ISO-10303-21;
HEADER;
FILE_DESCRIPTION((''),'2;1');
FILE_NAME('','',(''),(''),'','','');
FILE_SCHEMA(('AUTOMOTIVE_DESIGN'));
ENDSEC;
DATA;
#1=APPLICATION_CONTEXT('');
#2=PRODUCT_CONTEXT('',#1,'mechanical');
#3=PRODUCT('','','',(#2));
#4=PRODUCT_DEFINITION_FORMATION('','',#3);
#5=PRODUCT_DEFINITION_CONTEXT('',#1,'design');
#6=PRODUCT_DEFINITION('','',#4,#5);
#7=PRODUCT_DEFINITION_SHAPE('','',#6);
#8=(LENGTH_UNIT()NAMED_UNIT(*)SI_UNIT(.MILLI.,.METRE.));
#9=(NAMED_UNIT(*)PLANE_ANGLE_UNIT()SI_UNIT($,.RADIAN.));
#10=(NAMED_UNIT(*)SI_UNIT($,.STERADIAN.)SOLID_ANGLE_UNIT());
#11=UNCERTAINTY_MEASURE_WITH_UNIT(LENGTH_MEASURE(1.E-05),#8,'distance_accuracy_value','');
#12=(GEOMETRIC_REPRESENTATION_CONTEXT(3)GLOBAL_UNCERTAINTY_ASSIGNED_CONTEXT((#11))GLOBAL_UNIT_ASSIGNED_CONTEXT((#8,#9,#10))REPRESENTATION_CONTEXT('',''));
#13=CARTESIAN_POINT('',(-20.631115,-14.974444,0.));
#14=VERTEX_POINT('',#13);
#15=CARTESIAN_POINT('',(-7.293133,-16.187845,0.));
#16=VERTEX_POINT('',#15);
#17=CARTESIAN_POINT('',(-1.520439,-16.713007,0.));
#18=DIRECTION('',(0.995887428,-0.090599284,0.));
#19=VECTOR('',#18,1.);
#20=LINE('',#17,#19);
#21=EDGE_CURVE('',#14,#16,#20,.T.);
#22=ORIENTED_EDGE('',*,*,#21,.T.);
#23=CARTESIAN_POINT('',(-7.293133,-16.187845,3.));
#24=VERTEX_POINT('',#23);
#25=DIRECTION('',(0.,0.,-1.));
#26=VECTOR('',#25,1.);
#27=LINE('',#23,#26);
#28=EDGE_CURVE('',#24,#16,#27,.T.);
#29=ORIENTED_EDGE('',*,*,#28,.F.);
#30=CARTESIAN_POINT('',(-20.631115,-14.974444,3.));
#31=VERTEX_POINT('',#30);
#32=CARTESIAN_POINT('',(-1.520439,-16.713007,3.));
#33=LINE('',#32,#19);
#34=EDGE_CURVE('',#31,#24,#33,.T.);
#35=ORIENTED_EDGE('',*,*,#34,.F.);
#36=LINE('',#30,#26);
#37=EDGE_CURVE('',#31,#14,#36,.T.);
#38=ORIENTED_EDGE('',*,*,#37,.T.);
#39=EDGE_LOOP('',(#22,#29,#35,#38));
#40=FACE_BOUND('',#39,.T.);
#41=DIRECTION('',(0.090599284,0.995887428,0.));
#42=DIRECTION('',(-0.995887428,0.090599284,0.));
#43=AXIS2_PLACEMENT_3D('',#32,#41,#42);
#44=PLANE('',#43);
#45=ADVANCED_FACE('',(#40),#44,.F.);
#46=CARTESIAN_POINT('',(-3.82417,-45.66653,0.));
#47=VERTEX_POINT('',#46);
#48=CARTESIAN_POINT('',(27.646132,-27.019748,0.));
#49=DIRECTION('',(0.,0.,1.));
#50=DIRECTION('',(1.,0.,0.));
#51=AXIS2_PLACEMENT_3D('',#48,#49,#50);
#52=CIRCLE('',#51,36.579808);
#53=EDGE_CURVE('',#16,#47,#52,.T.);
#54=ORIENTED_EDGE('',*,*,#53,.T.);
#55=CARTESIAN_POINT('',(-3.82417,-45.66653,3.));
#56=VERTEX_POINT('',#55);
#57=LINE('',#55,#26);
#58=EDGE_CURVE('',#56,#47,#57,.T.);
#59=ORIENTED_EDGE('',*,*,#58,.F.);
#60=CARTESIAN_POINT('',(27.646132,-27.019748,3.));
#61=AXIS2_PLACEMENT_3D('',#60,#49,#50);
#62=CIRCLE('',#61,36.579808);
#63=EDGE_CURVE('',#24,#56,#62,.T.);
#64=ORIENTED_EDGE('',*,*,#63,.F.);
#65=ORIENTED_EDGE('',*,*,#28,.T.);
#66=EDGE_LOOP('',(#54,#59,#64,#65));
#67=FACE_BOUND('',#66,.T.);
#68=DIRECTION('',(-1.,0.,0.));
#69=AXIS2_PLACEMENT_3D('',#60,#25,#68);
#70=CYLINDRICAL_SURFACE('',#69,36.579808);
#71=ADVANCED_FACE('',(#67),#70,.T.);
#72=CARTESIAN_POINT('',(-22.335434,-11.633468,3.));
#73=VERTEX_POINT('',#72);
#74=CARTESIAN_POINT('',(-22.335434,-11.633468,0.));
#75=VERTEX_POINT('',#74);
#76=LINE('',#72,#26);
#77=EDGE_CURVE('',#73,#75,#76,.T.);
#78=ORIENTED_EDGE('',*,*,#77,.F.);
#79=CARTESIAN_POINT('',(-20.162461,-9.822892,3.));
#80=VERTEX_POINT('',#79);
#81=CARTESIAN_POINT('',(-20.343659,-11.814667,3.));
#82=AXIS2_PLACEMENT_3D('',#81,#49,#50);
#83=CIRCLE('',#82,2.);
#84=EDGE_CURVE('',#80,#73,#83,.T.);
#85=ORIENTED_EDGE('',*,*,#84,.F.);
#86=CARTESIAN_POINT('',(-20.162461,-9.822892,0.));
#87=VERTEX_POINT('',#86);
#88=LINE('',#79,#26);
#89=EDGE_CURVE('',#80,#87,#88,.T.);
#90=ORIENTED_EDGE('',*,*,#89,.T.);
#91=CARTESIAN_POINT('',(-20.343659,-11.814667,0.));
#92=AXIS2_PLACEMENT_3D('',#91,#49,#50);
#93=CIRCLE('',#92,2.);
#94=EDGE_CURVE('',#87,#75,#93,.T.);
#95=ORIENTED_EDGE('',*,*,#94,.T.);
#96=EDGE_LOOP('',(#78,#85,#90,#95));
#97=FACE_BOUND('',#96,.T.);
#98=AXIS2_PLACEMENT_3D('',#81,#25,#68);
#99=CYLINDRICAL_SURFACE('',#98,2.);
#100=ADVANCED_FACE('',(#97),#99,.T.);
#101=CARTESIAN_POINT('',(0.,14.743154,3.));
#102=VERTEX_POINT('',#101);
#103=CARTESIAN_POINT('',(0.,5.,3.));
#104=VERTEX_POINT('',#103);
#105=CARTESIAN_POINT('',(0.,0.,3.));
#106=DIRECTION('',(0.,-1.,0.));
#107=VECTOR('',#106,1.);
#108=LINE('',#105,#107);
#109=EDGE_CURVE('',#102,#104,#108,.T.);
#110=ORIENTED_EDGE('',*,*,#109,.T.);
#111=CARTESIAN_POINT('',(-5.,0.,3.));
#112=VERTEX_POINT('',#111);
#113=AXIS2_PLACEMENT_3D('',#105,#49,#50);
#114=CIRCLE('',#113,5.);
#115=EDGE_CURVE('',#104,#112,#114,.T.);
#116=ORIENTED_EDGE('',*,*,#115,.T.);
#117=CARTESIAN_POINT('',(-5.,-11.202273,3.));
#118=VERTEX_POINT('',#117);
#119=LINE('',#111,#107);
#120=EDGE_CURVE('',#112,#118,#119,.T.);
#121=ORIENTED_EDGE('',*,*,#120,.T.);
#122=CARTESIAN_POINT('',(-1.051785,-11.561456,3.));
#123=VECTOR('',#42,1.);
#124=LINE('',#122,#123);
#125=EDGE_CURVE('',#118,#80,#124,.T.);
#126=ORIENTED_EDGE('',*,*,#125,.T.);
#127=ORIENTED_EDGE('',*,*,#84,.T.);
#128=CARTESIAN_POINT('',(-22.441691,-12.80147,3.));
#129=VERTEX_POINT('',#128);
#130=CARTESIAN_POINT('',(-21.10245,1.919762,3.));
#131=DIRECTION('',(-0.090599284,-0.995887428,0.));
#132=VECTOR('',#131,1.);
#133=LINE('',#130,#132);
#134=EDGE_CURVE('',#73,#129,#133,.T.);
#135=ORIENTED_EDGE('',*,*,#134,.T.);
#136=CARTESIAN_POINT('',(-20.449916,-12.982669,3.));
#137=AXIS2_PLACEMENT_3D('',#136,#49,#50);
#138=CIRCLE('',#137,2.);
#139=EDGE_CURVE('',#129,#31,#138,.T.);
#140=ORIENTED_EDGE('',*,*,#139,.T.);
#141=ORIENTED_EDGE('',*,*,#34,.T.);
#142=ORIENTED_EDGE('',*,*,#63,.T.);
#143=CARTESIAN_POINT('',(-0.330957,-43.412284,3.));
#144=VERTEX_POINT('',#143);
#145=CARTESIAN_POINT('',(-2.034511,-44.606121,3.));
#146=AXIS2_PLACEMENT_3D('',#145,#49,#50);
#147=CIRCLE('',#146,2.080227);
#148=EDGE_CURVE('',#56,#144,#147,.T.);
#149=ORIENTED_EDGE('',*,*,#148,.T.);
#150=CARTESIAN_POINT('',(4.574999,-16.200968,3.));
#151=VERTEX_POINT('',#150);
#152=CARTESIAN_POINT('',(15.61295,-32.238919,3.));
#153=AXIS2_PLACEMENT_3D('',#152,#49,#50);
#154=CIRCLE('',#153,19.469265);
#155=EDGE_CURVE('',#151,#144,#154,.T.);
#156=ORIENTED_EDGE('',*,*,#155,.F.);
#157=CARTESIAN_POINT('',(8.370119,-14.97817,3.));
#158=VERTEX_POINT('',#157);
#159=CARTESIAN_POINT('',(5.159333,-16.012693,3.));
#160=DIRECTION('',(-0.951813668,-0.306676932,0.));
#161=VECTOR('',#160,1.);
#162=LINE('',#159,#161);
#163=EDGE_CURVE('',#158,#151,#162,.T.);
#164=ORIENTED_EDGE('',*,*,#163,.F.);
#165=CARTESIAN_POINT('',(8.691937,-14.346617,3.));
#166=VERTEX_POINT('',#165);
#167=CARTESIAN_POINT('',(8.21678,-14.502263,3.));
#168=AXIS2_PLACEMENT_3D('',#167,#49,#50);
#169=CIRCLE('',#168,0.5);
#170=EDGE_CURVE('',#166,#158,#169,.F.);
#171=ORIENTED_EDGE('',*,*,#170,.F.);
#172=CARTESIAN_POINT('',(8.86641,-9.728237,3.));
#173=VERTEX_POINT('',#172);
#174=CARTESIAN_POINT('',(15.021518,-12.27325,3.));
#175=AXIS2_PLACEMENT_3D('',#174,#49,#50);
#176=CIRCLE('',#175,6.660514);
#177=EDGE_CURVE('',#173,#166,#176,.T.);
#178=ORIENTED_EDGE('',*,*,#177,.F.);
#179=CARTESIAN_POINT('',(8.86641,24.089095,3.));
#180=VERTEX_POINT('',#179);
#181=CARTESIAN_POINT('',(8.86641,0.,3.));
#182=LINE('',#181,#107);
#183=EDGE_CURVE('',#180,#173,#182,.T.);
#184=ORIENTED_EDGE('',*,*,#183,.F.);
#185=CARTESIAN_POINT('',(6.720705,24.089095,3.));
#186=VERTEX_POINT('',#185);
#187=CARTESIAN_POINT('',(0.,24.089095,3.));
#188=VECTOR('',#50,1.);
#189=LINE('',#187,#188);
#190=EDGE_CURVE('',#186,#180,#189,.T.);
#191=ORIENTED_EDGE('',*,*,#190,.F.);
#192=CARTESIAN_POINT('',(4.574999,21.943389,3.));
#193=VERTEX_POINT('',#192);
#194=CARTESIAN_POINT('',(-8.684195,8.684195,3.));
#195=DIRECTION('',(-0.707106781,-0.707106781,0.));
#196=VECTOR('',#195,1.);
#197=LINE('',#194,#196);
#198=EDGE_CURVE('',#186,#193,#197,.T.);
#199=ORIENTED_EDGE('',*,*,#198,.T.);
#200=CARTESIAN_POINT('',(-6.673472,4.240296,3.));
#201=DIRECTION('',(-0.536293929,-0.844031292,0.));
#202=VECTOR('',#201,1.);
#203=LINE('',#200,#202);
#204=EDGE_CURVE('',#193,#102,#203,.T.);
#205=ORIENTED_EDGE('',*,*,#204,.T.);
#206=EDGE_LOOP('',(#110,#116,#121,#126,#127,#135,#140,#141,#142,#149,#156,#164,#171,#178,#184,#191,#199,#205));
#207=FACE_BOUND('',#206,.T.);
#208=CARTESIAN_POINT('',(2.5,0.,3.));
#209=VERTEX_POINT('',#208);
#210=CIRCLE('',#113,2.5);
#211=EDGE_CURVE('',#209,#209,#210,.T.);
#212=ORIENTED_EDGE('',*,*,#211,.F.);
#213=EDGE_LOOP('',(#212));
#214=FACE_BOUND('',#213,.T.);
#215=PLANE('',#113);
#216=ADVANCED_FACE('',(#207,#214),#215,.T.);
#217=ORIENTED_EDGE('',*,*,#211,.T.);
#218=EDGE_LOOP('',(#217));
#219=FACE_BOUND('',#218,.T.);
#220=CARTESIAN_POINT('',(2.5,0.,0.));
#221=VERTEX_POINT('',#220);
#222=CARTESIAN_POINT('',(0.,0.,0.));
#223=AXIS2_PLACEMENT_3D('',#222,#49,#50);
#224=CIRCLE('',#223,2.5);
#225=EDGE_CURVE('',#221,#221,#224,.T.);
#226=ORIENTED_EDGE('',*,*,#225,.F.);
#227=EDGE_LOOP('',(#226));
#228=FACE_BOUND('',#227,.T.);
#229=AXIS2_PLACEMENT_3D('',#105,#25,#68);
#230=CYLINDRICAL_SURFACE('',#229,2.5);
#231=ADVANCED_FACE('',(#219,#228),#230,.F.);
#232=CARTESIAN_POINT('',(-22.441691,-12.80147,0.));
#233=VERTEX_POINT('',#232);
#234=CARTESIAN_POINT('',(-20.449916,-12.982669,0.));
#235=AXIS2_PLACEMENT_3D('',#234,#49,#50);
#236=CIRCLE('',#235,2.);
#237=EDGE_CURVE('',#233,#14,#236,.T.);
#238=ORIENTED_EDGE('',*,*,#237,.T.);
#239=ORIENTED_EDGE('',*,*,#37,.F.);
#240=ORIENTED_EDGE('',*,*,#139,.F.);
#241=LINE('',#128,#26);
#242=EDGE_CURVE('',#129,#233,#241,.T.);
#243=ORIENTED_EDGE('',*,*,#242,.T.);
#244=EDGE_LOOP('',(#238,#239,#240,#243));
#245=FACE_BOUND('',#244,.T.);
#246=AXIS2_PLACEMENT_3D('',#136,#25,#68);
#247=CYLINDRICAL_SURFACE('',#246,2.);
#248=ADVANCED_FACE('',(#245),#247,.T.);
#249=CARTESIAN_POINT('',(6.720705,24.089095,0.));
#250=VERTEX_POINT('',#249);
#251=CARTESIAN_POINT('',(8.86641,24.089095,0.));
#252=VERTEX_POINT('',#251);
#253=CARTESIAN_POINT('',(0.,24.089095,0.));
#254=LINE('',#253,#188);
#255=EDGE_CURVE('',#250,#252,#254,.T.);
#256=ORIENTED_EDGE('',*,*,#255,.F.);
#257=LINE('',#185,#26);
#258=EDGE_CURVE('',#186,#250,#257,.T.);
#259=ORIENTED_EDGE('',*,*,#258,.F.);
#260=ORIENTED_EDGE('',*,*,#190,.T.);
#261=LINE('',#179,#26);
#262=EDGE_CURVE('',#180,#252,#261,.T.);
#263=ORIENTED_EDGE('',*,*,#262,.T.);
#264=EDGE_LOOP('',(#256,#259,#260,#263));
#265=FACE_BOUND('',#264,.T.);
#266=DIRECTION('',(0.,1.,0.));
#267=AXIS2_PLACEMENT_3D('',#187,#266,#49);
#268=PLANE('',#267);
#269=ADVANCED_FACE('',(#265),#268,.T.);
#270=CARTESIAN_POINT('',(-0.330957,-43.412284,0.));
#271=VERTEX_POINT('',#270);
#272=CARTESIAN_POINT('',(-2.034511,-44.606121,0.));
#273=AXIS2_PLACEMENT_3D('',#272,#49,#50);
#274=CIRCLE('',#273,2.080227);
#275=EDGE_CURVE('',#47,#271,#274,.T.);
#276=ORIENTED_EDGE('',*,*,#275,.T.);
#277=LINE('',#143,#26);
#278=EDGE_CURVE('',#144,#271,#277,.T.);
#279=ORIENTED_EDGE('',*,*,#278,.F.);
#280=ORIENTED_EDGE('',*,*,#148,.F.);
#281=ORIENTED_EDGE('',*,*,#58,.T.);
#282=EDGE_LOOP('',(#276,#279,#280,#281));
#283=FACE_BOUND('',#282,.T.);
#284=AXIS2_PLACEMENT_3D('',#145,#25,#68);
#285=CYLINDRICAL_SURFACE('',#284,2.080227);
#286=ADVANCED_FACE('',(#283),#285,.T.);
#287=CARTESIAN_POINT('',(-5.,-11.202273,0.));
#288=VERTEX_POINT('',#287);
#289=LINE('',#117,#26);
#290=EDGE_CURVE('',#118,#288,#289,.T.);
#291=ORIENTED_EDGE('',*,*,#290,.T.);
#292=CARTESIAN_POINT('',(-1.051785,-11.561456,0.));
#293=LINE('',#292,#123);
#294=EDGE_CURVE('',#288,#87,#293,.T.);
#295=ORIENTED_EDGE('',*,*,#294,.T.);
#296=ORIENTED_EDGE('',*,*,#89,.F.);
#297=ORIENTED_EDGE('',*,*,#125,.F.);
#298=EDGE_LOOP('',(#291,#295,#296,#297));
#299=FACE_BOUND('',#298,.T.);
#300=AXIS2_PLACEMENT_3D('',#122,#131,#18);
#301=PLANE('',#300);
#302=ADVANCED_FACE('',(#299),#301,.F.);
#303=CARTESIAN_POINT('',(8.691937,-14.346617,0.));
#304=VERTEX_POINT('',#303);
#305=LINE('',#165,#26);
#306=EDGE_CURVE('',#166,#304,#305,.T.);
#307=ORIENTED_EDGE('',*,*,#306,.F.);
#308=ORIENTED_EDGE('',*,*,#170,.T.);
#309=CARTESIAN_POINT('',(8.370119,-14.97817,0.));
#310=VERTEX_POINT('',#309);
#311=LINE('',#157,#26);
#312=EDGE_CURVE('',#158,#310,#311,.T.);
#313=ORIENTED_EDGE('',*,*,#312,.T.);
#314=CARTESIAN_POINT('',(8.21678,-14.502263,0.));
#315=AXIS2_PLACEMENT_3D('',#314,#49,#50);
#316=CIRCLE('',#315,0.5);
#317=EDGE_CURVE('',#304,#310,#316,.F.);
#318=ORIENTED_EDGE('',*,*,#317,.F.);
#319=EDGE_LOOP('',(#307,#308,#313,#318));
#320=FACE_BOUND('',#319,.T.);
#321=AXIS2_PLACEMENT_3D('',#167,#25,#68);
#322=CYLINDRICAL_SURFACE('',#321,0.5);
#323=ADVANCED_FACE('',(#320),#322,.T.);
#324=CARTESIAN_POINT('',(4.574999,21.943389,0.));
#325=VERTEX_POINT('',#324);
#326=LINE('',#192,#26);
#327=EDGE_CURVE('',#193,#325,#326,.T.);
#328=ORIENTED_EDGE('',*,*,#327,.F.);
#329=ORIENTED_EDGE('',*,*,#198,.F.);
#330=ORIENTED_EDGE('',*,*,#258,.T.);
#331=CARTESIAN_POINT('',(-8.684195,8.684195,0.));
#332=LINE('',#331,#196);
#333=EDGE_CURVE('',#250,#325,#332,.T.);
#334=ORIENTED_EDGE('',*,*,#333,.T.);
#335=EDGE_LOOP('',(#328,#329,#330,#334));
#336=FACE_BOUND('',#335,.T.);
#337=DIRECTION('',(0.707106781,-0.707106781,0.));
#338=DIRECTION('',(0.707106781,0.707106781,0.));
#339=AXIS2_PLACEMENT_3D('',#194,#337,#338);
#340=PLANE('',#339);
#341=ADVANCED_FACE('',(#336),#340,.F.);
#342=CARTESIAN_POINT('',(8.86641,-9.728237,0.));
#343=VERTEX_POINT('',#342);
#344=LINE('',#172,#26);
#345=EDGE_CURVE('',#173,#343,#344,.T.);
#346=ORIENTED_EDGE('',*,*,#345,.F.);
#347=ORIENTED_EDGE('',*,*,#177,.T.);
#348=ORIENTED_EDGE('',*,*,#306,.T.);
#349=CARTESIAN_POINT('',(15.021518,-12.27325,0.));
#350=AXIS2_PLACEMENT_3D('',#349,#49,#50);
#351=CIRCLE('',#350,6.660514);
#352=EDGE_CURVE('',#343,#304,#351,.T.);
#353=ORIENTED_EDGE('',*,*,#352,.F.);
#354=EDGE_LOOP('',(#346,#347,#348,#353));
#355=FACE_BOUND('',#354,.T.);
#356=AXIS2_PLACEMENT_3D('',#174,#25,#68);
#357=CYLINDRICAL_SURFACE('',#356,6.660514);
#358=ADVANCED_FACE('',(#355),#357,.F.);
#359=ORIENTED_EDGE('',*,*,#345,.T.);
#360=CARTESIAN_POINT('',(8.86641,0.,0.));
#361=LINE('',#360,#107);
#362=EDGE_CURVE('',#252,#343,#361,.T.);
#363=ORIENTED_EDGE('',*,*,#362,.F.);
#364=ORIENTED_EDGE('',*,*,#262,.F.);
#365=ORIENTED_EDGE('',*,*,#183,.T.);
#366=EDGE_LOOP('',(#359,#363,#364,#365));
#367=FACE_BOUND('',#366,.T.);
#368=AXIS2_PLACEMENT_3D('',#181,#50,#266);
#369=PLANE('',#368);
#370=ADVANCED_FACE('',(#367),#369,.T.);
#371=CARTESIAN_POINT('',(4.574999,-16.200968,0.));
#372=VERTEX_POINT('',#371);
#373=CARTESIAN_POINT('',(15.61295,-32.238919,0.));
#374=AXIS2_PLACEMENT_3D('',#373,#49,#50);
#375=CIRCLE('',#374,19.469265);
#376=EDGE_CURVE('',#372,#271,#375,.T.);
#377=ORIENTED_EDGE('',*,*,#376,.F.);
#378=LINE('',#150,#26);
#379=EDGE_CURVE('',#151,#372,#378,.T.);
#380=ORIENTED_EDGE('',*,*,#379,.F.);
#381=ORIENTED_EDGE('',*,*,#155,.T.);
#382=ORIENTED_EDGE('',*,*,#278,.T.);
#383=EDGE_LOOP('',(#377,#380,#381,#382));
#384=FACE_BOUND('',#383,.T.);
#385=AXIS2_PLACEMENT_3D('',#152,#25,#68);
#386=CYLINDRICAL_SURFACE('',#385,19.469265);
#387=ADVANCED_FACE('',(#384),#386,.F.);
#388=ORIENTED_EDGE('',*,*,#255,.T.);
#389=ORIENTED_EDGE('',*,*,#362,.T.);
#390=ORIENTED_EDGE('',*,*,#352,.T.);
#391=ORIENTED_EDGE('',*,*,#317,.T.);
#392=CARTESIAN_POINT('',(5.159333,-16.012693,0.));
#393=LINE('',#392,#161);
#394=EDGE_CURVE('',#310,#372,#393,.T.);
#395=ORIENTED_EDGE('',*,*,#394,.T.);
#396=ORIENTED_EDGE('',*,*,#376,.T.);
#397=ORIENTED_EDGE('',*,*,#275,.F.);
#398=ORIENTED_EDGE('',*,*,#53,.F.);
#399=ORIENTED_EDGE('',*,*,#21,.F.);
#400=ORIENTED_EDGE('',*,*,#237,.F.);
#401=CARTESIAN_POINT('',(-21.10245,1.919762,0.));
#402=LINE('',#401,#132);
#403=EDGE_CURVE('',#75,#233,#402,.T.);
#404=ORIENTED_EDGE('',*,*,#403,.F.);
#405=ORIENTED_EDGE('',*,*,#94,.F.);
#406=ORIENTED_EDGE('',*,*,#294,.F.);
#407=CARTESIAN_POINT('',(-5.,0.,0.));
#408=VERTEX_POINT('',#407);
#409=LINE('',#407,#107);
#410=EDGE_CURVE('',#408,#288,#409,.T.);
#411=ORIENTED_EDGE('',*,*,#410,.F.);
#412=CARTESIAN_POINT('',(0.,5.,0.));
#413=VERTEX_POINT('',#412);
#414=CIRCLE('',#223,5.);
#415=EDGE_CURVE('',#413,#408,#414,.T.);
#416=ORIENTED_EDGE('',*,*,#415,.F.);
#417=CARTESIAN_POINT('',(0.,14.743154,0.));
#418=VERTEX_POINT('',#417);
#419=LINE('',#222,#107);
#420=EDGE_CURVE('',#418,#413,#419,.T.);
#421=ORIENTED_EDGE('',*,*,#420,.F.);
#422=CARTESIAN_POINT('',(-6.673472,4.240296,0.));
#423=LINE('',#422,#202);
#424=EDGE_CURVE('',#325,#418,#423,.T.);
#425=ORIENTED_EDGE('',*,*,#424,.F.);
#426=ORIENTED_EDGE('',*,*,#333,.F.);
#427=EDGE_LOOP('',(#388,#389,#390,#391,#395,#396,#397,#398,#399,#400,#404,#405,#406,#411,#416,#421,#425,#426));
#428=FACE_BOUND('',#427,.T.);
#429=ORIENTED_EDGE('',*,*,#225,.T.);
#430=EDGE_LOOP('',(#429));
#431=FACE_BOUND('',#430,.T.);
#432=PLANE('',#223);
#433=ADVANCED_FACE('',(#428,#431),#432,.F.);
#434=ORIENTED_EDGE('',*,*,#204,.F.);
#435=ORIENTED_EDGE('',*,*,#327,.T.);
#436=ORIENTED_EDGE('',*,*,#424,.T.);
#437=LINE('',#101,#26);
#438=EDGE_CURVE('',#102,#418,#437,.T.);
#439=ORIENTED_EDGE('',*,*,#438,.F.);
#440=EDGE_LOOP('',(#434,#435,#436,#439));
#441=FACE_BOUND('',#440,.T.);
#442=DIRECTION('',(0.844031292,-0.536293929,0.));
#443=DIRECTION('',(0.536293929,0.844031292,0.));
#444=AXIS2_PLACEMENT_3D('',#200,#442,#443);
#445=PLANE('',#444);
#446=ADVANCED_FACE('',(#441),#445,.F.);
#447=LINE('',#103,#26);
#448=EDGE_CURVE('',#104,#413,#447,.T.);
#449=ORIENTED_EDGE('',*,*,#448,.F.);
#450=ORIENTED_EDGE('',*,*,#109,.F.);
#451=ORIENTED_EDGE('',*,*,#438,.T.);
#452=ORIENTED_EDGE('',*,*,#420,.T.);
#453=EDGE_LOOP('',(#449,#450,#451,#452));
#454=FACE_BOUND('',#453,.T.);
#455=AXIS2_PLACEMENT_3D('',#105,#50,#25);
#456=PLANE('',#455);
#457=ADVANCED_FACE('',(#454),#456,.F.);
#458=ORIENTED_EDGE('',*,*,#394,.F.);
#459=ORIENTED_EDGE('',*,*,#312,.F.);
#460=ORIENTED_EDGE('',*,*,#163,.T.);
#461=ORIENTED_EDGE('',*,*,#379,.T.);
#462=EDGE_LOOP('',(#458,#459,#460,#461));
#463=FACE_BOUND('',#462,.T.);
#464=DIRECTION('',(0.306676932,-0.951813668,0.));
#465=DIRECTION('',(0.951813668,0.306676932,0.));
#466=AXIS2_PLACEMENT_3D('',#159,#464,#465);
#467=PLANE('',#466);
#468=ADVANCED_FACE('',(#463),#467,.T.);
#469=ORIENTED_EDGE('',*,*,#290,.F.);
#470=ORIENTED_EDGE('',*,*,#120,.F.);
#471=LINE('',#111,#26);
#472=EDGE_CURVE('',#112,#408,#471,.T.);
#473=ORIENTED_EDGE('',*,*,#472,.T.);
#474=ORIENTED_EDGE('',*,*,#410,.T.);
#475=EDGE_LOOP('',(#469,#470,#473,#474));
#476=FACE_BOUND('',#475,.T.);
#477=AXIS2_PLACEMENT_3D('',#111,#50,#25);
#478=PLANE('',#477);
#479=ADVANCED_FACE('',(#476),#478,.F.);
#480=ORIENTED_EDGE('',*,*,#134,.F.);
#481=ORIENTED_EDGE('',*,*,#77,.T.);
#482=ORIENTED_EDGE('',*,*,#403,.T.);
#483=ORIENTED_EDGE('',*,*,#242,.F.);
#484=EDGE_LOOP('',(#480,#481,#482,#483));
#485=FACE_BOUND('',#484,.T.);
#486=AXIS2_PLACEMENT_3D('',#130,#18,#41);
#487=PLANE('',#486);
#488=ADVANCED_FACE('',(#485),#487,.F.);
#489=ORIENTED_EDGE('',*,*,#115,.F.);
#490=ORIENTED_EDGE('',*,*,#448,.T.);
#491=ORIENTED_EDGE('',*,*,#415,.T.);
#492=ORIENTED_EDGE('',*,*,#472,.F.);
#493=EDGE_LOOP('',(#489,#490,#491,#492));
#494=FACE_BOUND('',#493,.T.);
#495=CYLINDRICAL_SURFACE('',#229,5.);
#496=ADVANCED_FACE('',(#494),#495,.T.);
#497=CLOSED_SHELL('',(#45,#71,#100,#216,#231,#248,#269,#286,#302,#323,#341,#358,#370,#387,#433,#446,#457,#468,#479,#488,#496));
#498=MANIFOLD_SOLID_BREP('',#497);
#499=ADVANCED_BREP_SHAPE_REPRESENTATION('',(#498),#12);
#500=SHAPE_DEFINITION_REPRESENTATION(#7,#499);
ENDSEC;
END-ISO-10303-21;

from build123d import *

# Parameters (mm, degrees)
SKETCH_1_R      = 5
SKETCH_1_R_2    = 2.5
EXTRUDE_1_DEPTH = 3


with BuildPart() as part:
    # 스케치1 → 보스-돌출1 (new body)
    # profile 1 of 5: a face of its own
    with BuildSketch(Plane.XY):
        with BuildLine():
            Line((8.866410343, 21.94338903), (4.574998823, 21.94338903))
            Line((4.574998823, 21.94338903), (0, 14.743154306))
            Line((0, 14.743154306), (0, 5))
            ThreePointArc((0, 5), (3.535533906, 3.535533906), (5, 0))
            ThreePointArc((5, 0), (0, -5), (-5, 0))
            Line((-5, 0), (-5, -11.202273073))
            Line((-5, -11.202273073), (-20.162460617, -9.822892201))
            ThreePointArc((-20.162460617, -9.822892201), (-21.623929956, -10.278142815), (-22.335434041, -11.633468491))
            Line((-22.335434041, -11.633468491), (-22.441691139, -12.801470088))
            ThreePointArc((-22.441691139, -12.801470088), (-21.986440525, -14.262939427), (-20.631114849, -14.974443512))
            Line((-20.631114849, -14.974443512), (-7.293133085, -16.187845306))
            ThreePointArc((-7.293133085, -16.187845306), (-8.683000099, -31.29485147), (-3.824169556, -45.666529567))
            ThreePointArc((-3.824169556, -45.666529567), (-0.906566305, -46.354001108), (-0.33095704, -43.412283952))
            ThreePointArc((-0.33095704, -43.412283952), (-3.547402259, -28.784479694), (4.574998823, -16.200967549))
            Line((4.574998823, -16.200967549), (8.3701186, -14.978169718))
            ThreePointArc((8.3701186, -14.978169718), (8.662275884, -14.729272874), (8.69193724, -14.346616734))
            ThreePointArc((8.69193724, -14.346616734), (8.365752146, -12.021808556), (8.866410343, -9.728236855))
            Line((8.866410343, -9.728236855), (8.866410343, 21.94338903))
        make_face()
    # profile 2 of 5: a face of its own
    with BuildSketch(Plane.XY):
        Circle(SKETCH_1_R)
        Circle(SKETCH_1_R_2, mode=Mode.SUBTRACT)
    # profile 3 of 5: a face of its own
    with BuildSketch(Plane.XY):
        with BuildLine():
            ThreePointArc((5, 0), (3.535533906, 3.535533906), (0, 5))
            ThreePointArc((0, 5), (-3.535533906, 3.535533906), (-5, 0))
            ThreePointArc((-5, 0), (0, -5), (5, 0))
        make_face()
        Circle(SKETCH_1_R_2, mode=Mode.SUBTRACT)
    # profile 4 of 5: a face of its own
    with BuildSketch(Plane.XY):
        Polygon((8.866410343, 24.08909479), (6.720704583, 24.08909479), (4.574998823, 21.94338903), (8.866410343, 21.94338903), align=None)
    # profile 5 of 5: a face of its own
    with BuildSketch(Plane.XY):
        with BuildLine():
            Line((8.866410343, 21.94338903), (4.574998823, 21.94338903))
            Line((4.574998823, 21.94338903), (0, 14.743154306))
            Line((0, 14.743154306), (0, 5))
            ThreePointArc((0, 5), (3.535533906, 3.535533906), (5, 0))
            ThreePointArc((5, 0), (0, -5), (-5, 0))
            Line((-5, 0), (-5, -11.202273073))
            Line((-5, -11.202273073), (-20.162460617, -9.822892201))
            ThreePointArc((-20.162460617, -9.822892201), (-21.623929956, -10.278142815), (-22.335434041, -11.633468491))
            Line((-22.335434041, -11.633468491), (-22.441691139, -12.801470088))
            ThreePointArc((-22.441691139, -12.801470088), (-21.986440525, -14.262939427), (-20.631114849, -14.974443512))
            Line((-20.631114849, -14.974443512), (-7.293133085, -16.187845306))
            ThreePointArc((-7.293133085, -16.187845306), (-8.683000099, -31.29485147), (-3.824169556, -45.666529567))
            ThreePointArc((-3.824169556, -45.666529567), (-0.906566305, -46.354001108), (-0.33095704, -43.412283952))
            ThreePointArc((-0.33095704, -43.412283952), (-3.547402259, -28.784479694), (4.574998823, -16.200967549))
            Line((4.574998823, -16.200967549), (8.3701186, -14.978169718))
            ThreePointArc((8.3701186, -14.978169718), (8.662275884, -14.729272874), (8.69193724, -14.346616734))
            ThreePointArc((8.69193724, -14.346616734), (8.365752146, -12.021808556), (8.866410343, -9.728236855))
            Line((8.866410343, -9.728236855), (8.866410343, 21.94338903))
        make_face()
    extrude(amount=EXTRUDE_1_DEPTH)


solid = part.part
